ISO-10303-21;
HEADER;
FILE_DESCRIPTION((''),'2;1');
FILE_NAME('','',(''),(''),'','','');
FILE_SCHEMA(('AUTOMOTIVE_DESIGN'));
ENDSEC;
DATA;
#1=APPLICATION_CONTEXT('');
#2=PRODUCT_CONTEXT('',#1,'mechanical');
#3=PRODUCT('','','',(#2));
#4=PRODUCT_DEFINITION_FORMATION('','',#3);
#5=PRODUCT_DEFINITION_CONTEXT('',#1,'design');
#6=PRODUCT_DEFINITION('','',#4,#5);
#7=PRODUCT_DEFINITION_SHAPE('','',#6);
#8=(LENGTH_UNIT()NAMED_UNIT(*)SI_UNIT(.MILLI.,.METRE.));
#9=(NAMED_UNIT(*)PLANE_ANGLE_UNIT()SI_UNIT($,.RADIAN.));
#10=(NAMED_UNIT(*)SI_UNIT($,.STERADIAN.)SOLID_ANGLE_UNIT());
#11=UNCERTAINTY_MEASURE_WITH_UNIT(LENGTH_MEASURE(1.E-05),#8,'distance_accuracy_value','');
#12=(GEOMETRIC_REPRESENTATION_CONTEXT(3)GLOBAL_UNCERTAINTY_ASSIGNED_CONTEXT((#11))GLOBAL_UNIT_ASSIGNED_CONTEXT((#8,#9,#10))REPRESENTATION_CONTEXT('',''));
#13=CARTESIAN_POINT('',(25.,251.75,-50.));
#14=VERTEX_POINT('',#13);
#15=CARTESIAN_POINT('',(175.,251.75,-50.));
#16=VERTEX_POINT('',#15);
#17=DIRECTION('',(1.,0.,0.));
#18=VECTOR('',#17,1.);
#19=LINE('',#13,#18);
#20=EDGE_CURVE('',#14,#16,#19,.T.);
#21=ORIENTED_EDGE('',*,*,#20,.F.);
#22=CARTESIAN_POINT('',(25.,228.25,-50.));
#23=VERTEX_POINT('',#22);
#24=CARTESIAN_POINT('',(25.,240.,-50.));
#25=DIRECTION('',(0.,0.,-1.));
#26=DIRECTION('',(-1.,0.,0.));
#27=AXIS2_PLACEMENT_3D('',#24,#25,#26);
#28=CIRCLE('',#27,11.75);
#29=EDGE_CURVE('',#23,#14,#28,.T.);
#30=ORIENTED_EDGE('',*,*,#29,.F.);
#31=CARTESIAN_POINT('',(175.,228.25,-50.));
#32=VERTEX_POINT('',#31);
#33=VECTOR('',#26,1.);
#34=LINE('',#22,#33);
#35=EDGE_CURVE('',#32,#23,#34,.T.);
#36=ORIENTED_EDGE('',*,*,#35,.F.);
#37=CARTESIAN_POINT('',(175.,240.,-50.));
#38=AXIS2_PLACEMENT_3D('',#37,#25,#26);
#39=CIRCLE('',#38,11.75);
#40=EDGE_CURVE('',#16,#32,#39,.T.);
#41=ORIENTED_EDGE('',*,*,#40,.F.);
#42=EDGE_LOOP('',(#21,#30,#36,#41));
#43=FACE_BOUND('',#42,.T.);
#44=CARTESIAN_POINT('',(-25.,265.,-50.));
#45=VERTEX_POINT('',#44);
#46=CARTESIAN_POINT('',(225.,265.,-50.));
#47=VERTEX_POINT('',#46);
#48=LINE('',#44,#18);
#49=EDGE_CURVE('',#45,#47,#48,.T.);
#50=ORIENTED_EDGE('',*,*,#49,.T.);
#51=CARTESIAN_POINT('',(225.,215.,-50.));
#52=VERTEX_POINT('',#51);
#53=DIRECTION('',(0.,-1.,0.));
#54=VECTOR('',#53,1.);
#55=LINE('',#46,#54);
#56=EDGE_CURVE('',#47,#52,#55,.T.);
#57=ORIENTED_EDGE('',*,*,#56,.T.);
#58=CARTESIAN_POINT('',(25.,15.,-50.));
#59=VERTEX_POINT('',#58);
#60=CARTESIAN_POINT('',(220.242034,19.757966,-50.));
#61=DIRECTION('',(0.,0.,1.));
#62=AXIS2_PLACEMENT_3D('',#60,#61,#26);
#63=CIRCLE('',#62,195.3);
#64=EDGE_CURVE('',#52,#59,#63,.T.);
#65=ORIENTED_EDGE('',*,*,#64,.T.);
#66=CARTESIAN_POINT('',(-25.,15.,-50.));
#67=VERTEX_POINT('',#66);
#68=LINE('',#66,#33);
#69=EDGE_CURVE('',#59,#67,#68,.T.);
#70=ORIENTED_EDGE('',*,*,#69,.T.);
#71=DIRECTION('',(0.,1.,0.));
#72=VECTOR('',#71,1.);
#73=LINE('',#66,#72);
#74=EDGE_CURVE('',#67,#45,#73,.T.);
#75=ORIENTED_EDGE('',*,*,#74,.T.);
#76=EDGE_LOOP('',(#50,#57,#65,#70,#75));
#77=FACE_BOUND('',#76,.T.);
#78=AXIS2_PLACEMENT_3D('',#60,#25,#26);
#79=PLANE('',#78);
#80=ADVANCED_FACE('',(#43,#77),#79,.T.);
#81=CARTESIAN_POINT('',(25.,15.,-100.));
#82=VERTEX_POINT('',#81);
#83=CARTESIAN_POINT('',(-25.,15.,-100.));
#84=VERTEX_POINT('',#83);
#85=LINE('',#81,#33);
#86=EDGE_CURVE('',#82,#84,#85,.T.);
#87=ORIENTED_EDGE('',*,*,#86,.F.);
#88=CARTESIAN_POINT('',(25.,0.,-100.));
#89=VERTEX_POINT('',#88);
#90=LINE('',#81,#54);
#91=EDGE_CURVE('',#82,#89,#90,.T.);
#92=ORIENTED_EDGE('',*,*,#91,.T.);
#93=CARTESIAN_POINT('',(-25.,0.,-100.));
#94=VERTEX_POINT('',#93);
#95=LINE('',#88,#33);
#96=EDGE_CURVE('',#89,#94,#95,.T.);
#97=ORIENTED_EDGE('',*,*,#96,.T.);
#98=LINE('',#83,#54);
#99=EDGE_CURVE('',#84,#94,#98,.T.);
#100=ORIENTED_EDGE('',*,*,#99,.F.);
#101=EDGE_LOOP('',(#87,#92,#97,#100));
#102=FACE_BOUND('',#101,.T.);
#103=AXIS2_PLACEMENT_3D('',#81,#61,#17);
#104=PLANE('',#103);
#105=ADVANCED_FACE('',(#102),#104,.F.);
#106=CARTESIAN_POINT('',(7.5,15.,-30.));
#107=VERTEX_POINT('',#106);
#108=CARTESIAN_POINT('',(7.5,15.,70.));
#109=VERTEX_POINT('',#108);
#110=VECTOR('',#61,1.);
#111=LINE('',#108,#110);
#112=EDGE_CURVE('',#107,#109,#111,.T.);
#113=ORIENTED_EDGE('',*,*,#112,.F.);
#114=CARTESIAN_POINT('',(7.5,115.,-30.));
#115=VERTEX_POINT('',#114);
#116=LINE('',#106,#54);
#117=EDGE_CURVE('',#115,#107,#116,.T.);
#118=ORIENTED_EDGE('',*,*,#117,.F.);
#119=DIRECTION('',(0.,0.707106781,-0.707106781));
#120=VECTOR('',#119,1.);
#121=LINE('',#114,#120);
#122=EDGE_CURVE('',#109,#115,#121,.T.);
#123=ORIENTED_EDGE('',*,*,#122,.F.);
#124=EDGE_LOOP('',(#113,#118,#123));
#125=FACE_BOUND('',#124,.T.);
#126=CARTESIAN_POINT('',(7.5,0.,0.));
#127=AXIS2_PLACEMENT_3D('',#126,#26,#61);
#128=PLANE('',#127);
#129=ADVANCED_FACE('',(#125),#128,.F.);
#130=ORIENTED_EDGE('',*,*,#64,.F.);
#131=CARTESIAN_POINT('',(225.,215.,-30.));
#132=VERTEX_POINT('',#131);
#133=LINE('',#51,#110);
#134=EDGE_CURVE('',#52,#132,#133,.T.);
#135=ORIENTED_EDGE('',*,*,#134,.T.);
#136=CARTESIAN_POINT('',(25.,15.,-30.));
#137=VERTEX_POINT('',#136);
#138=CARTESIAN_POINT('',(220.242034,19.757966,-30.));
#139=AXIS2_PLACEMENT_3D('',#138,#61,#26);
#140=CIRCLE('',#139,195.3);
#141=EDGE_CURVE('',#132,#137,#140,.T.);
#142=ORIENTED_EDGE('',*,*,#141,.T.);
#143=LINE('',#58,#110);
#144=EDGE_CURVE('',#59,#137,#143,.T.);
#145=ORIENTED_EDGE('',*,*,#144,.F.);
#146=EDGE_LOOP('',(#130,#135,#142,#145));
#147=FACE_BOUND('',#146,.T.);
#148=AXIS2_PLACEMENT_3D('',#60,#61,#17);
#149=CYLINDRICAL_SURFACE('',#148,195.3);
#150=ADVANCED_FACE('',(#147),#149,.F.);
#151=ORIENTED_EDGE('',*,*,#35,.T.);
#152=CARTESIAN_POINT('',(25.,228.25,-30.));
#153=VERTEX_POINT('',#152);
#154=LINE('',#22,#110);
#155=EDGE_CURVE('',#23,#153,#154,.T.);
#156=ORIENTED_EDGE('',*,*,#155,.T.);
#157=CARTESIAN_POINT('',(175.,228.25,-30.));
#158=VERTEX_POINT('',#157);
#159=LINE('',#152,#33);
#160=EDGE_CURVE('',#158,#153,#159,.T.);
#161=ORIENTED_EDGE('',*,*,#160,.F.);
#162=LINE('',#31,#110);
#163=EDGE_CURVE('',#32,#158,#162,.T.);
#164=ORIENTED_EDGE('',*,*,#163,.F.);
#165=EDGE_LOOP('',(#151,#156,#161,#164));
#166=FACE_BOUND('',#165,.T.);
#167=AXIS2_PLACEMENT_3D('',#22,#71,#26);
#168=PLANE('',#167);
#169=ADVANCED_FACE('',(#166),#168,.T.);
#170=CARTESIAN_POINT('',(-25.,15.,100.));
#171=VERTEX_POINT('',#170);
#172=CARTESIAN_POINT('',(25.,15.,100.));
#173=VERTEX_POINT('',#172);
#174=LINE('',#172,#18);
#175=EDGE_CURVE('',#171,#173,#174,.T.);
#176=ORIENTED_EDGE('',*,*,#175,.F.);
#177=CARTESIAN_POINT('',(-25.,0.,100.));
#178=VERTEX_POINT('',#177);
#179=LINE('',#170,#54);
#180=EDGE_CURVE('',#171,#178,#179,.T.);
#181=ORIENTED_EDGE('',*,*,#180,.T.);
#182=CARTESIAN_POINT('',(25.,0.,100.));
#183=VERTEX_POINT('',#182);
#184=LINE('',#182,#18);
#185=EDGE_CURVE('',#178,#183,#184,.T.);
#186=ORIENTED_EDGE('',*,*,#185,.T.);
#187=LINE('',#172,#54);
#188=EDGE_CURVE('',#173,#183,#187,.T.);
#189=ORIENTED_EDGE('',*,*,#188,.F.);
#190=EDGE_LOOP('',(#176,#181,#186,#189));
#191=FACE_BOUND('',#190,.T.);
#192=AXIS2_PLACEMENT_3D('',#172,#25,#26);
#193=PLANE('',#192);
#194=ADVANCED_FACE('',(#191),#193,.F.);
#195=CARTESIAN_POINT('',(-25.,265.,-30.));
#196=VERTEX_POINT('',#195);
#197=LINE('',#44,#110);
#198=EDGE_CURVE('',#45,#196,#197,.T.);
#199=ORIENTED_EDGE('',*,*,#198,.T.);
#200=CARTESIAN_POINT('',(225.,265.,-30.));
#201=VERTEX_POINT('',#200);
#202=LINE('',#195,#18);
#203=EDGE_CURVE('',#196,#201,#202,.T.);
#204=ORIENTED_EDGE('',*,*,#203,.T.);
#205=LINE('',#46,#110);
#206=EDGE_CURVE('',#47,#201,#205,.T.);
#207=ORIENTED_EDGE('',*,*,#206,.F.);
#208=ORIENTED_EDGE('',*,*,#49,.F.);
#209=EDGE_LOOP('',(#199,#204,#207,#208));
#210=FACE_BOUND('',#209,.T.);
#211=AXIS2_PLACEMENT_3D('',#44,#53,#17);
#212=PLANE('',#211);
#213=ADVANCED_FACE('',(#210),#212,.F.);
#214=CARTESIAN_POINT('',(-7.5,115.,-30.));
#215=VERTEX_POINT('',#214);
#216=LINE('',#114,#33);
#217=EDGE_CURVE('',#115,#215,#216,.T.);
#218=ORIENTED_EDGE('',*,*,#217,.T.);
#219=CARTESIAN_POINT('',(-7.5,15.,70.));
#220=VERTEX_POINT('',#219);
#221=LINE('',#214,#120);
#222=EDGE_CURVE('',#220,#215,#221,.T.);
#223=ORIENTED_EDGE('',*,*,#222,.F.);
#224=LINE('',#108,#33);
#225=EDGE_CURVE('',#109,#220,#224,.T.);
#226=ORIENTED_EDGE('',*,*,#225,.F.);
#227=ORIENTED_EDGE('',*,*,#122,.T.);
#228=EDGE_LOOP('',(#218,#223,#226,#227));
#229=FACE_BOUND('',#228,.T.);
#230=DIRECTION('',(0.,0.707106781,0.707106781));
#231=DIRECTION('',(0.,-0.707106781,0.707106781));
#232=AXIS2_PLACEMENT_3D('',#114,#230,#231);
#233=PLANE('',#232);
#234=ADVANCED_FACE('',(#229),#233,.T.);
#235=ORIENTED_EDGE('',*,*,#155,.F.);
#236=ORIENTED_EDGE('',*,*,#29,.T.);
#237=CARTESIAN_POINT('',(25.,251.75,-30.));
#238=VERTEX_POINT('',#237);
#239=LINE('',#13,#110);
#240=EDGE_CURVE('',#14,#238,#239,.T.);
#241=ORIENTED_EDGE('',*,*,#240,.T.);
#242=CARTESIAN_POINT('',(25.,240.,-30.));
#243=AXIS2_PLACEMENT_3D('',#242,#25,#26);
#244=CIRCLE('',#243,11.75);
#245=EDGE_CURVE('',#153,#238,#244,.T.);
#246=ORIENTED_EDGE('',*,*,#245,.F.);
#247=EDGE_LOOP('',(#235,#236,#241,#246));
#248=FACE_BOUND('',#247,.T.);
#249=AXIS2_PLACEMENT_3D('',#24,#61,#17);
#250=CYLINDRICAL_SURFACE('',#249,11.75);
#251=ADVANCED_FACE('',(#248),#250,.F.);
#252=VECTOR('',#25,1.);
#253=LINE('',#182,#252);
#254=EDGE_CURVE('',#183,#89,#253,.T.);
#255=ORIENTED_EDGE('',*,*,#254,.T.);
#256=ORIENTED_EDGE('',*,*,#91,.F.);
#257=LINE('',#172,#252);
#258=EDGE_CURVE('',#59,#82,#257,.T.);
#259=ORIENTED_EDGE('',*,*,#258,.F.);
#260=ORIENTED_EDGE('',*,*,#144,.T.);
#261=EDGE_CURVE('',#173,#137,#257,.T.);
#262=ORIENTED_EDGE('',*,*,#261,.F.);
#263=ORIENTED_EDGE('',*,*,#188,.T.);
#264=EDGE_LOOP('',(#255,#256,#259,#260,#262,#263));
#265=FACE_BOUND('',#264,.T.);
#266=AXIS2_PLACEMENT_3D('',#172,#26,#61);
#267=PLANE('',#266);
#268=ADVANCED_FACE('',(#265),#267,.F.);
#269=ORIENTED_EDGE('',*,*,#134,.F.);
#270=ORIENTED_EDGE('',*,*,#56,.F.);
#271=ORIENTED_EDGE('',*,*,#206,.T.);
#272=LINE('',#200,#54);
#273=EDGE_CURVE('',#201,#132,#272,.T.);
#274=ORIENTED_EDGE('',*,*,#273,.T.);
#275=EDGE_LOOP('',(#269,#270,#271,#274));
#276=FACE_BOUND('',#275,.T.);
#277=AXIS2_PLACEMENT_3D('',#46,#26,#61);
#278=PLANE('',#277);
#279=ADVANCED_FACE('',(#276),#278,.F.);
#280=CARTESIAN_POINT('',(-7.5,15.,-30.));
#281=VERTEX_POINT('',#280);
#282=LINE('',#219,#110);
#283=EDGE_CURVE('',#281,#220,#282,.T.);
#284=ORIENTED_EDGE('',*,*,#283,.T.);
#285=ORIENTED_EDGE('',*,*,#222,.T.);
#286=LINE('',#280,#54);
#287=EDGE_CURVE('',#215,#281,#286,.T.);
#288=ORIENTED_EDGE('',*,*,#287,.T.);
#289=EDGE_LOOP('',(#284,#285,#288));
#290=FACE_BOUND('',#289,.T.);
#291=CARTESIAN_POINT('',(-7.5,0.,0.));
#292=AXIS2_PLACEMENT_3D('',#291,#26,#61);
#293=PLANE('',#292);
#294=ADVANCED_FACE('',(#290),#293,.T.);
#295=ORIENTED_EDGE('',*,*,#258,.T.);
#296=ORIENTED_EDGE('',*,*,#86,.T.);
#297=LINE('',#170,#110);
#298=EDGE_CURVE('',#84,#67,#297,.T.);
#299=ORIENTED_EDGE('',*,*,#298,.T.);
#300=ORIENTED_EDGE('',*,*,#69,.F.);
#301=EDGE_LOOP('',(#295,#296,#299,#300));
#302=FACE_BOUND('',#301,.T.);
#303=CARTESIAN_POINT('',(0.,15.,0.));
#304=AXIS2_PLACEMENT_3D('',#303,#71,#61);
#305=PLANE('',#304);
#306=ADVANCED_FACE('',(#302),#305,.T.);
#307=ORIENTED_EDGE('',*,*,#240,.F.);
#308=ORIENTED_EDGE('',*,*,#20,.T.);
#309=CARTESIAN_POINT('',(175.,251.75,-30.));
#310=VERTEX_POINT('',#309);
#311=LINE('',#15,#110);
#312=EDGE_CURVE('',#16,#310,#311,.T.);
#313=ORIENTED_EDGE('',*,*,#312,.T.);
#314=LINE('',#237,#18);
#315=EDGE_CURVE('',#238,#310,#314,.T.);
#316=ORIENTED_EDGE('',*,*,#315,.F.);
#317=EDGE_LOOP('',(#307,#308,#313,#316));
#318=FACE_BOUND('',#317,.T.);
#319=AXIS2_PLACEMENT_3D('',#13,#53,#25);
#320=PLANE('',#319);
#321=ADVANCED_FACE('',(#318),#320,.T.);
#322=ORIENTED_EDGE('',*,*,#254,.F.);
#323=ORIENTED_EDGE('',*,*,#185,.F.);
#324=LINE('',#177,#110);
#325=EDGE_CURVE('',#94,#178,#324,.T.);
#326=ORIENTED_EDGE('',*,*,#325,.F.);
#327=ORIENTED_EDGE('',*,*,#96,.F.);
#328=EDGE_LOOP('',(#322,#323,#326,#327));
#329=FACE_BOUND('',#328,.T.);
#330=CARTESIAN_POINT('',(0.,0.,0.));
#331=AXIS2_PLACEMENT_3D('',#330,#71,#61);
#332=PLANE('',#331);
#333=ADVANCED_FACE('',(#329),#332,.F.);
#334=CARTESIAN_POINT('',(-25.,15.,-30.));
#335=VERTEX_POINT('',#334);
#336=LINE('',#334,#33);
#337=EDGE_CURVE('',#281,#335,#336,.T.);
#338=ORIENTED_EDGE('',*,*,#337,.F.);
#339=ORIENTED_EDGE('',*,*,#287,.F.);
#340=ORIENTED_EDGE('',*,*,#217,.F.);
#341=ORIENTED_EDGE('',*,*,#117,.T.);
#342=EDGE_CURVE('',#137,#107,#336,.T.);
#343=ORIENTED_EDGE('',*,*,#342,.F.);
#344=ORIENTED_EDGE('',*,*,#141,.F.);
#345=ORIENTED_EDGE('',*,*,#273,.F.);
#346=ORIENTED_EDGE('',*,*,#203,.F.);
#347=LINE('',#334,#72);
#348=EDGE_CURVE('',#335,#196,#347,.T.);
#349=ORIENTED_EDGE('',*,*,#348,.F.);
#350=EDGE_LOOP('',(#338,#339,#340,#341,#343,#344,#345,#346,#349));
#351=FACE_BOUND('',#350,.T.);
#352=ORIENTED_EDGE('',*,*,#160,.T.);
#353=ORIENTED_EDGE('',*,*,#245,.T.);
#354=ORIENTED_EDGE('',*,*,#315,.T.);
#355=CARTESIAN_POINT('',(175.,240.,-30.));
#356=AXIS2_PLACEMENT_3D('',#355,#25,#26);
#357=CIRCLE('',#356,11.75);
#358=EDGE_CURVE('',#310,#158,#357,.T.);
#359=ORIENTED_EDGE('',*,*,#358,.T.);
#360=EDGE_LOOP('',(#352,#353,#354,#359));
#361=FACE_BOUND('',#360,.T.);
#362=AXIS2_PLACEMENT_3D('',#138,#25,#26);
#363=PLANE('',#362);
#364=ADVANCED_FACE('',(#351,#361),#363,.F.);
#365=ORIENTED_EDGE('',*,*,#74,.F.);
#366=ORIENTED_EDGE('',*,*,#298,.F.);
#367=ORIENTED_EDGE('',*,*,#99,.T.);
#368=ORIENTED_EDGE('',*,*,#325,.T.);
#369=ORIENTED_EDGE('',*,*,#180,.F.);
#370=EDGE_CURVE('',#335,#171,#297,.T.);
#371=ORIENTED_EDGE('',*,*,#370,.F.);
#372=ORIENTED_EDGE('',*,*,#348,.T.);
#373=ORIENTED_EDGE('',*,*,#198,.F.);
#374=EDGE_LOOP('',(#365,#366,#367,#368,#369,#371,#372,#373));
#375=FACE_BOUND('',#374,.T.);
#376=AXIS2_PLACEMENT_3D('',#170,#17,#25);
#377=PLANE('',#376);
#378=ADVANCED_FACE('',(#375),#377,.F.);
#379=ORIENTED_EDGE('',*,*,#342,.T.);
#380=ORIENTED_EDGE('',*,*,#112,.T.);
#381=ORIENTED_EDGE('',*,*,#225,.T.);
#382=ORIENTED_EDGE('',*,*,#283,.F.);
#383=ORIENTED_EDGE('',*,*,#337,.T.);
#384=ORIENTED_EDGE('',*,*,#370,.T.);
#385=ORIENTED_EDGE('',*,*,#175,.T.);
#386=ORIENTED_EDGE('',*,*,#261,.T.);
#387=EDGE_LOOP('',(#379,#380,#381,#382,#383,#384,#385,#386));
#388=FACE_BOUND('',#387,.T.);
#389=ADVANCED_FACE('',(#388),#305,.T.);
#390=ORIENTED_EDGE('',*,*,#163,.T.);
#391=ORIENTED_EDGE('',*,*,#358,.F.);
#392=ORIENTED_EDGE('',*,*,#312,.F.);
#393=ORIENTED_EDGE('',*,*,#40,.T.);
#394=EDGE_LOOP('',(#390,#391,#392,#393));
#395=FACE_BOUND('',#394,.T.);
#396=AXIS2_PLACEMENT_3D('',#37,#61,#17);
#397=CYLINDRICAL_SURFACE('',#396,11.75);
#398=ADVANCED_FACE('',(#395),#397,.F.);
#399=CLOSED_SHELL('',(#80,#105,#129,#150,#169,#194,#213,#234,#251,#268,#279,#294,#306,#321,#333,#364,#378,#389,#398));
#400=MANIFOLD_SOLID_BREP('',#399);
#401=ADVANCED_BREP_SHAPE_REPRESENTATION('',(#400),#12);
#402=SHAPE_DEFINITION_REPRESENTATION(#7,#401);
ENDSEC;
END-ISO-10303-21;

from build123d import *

# Parameters (mm, degrees)
SKETCH1_W           = 50
SKETCH1_H           = 200
BOSS_EXTRUDE1_DEPTH = 15
BOSS_EXTRUDE2_DEPTH = 20
BOSS_EXTRUDE3_DEPTH = 15


with BuildPart() as part:
    # Sketch1 → Boss-Extrude1 (new body)
    with BuildSketch(Plane(origin=(0, 0, 0), x_dir=(1, 0, 0), z_dir=(0, 1, 0))):
        Rectangle(SKETCH1_W, SKETCH1_H)
    extrude(amount=BOSS_EXTRUDE1_DEPTH)

    # Sketch2 → Boss-Extrude2 (add)
    with BuildSketch(Plane(origin=(0, 0, -30), x_dir=(-1, 0, 0), z_dir=(0, 0, -1))):
        with BuildLine():
            Line((25, 15), (25, 265))
            Line((25, 265), (-225, 265))
            Line((-225, 265), (-225, 215))
            ThreePointArc((-225, 215), (-82.144079422, 157.855920578), (-25, 15))
            Line((-25, 15), (25, 15))
        make_face()
        with BuildLine():
            Line((-25, 228.25), (-175, 228.25))
            ThreePointArc((-175, 228.25), (-186.75, 240), (-175, 251.75))
            Line((-175, 251.75), (-25, 251.75))
            ThreePointArc((-25, 251.75), (-13.25, 240), (-25, 228.25))
        make_face(mode=Mode.SUBTRACT)
    extrude(amount=BOSS_EXTRUDE2_DEPTH)

    # Sketch4 → Boss-Extrude3 (add)
    with BuildSketch(Plane.ZY.offset(7.5)):
        Polygon((-30, 115), (70, 15), (-30, 15), align=None)
    extrude(amount=-BOSS_EXTRUDE3_DEPTH)


solid = part.part
